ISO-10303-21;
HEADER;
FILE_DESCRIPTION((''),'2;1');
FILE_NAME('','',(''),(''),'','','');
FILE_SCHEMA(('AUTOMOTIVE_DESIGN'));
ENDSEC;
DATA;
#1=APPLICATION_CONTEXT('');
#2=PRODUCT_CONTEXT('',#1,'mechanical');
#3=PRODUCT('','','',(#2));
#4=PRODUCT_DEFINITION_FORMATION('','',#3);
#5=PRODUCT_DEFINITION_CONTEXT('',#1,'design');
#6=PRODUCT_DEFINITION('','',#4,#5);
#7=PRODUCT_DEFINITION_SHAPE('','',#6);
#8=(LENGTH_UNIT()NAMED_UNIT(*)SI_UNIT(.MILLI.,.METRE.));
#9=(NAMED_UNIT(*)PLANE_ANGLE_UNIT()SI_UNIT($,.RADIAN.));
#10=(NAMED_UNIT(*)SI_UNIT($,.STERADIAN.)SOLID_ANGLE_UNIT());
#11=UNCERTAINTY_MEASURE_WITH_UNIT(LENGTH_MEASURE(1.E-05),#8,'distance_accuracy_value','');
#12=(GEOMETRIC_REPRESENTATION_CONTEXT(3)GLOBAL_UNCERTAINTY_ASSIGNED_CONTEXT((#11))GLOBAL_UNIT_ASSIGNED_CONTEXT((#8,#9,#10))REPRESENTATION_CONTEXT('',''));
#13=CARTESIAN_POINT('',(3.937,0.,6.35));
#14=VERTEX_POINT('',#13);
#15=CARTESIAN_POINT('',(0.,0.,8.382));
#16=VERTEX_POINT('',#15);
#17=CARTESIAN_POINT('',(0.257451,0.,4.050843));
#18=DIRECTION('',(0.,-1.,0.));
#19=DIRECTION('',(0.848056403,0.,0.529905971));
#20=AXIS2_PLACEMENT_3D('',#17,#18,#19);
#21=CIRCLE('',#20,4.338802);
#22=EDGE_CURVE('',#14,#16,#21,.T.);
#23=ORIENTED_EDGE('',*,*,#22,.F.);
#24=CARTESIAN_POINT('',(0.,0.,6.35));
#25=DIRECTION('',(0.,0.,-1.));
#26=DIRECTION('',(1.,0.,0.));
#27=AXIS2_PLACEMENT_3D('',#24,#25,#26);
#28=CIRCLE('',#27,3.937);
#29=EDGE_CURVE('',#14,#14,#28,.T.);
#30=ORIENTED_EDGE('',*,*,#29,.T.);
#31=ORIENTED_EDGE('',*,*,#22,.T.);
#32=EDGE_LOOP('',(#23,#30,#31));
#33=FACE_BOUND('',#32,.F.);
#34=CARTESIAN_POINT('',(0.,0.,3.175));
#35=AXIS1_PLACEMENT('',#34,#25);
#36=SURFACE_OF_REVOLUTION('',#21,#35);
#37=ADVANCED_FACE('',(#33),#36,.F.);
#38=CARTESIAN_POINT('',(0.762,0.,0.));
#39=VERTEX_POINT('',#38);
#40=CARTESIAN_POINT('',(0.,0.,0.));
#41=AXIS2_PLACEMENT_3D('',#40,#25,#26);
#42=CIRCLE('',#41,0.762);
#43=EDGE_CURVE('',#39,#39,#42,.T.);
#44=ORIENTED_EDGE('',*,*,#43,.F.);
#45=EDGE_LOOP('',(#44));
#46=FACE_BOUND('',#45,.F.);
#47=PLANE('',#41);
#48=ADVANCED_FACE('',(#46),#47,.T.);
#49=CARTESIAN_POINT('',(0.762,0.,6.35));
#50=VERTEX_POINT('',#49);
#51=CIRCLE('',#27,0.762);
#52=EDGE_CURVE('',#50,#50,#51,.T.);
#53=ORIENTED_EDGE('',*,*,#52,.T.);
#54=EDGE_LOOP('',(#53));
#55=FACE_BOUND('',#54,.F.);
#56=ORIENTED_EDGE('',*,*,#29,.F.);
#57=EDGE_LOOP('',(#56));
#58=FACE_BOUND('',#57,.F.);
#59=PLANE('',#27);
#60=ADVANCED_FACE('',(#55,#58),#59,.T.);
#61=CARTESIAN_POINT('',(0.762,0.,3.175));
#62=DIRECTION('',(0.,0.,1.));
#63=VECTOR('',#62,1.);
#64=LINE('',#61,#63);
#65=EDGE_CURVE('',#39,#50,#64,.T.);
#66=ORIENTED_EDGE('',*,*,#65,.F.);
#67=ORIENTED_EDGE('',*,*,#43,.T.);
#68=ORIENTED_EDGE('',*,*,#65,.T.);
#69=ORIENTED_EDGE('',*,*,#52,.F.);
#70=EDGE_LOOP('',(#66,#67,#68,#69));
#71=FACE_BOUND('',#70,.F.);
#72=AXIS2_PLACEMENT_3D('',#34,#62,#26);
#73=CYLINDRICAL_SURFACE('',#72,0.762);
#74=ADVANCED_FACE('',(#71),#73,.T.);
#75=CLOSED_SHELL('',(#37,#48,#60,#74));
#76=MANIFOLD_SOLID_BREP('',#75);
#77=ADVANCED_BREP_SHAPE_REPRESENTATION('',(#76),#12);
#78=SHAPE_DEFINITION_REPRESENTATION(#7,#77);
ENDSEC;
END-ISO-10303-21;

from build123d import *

# Parameters (mm, degrees)
F0_W = 0.762
F0_H = 6.35


with BuildPart() as f1:
    # F0 (on Front) → F1 (revolve)
    with BuildSketch(Plane.XZ):
        with Locations((0.381, 3.175)):
            Rectangle(F0_W, F0_H)
        with BuildLine():
            Line((0, 8.382), (0, 6.35))
            Line((0, 6.35), (0.762, 6.35))
            Line((0.762, 6.35), (3.937, 6.35))
            ThreePointArc((3.937, 6.35), (2.247412, 7.906392), (0, 8.382))
        make_face()
    revolve(axis=Axis((0, 0, 3.175), (0, 0, -1)))


solid = f1.part
